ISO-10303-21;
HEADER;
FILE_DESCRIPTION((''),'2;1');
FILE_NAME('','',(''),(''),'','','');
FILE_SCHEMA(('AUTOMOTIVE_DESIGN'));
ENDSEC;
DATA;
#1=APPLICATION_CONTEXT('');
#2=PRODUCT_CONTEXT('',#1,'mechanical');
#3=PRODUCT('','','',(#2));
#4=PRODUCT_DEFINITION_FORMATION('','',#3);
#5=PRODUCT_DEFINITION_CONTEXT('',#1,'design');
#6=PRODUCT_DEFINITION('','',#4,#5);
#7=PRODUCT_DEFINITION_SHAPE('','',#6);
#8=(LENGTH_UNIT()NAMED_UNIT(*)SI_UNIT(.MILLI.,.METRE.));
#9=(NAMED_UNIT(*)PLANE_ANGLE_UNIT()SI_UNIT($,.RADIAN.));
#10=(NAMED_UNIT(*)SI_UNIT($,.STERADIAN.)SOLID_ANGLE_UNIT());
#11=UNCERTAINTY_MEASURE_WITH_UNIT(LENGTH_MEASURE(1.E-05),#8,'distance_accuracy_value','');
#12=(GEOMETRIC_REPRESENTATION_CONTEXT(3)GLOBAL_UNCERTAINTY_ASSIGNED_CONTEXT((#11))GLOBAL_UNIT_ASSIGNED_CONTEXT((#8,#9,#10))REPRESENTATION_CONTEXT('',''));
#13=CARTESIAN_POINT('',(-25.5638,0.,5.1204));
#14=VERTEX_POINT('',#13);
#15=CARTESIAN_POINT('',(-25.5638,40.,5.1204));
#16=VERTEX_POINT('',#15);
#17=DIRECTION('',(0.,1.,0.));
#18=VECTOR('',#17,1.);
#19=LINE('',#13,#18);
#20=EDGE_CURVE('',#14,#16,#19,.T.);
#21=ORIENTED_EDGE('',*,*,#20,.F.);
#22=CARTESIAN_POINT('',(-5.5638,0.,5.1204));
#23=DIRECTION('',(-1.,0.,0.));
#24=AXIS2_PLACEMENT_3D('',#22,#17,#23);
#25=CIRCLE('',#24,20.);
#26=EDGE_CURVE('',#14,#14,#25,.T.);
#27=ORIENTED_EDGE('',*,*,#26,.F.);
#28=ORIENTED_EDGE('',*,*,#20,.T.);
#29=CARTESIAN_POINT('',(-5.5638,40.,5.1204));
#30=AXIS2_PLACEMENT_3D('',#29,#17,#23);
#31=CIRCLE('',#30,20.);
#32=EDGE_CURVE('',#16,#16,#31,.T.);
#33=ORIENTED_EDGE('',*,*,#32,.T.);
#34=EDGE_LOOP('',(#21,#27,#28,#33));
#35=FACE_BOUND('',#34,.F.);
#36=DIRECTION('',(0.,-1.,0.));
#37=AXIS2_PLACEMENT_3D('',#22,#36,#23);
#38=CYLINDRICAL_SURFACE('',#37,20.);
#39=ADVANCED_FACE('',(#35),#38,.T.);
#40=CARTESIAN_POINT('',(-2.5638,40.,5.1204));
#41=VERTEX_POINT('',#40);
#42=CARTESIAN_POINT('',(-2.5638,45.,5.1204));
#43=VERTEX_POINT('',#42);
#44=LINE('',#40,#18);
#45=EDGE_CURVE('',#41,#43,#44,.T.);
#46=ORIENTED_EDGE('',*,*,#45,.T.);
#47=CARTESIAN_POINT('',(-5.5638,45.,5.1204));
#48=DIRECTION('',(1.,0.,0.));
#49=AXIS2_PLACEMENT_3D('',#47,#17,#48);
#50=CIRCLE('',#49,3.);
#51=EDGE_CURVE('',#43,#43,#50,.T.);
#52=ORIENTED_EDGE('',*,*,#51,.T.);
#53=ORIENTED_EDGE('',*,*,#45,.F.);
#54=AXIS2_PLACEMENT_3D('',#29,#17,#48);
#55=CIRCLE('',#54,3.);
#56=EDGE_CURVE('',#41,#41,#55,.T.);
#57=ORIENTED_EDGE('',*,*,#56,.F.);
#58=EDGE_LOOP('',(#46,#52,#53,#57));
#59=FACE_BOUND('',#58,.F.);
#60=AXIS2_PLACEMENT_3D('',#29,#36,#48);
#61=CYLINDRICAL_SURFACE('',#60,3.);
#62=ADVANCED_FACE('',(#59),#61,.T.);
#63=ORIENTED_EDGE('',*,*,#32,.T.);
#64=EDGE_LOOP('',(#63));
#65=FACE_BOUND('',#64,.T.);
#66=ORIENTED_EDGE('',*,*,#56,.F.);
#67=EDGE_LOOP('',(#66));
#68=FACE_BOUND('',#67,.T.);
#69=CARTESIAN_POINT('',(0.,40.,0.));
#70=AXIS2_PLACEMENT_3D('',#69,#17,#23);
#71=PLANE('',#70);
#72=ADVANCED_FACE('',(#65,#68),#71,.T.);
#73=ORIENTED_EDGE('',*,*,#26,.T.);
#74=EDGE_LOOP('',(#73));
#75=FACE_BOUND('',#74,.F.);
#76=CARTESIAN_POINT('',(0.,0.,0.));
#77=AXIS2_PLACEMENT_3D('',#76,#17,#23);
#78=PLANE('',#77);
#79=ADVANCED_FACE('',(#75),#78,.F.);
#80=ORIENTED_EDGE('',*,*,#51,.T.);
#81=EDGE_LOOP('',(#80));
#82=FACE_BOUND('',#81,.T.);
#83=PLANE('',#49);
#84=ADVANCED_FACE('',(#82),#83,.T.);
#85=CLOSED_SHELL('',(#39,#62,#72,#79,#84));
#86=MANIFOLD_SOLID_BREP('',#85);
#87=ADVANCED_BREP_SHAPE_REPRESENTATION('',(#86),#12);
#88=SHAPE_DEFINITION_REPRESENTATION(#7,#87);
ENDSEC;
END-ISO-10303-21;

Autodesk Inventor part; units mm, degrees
ref_plane "YZ Plane" through (0, 0, 0) normal (1, 0, 0) x (0, 1, 0)
ref_plane "XZ Plane" through (0, 0, 0) normal (0, 1, 0) x (-1, 0, 0)
ref_plane "XY Plane" through (0, 0, 0) normal (0, 0, 1) x (1, 0, 0)
sketch "Sketch1" plane through (0, 0, 0) normal (0, 1, 0) x (-1, 0, 0)
  circle A0 centre (5.5638, 5.1204) radius 20
  point P0 (0, 0)
  dimension "d0" = 40
extrude "Extrusion1" add sketch "Sketch1" along normal blind 40
sketch "Sketch2" plane through (-5.5638, 40, 5.1204) normal (0, 1, 0) x (1, 0, 0)
  circle A0 centre (0, 0) radius 3
  point P0 (5.5638, 5.1204)
  dimension "d3" = 6
extrude "Extrusion2" add sketch "Sketch2" along normal blind 5
properties material "Aluminum 6061"
